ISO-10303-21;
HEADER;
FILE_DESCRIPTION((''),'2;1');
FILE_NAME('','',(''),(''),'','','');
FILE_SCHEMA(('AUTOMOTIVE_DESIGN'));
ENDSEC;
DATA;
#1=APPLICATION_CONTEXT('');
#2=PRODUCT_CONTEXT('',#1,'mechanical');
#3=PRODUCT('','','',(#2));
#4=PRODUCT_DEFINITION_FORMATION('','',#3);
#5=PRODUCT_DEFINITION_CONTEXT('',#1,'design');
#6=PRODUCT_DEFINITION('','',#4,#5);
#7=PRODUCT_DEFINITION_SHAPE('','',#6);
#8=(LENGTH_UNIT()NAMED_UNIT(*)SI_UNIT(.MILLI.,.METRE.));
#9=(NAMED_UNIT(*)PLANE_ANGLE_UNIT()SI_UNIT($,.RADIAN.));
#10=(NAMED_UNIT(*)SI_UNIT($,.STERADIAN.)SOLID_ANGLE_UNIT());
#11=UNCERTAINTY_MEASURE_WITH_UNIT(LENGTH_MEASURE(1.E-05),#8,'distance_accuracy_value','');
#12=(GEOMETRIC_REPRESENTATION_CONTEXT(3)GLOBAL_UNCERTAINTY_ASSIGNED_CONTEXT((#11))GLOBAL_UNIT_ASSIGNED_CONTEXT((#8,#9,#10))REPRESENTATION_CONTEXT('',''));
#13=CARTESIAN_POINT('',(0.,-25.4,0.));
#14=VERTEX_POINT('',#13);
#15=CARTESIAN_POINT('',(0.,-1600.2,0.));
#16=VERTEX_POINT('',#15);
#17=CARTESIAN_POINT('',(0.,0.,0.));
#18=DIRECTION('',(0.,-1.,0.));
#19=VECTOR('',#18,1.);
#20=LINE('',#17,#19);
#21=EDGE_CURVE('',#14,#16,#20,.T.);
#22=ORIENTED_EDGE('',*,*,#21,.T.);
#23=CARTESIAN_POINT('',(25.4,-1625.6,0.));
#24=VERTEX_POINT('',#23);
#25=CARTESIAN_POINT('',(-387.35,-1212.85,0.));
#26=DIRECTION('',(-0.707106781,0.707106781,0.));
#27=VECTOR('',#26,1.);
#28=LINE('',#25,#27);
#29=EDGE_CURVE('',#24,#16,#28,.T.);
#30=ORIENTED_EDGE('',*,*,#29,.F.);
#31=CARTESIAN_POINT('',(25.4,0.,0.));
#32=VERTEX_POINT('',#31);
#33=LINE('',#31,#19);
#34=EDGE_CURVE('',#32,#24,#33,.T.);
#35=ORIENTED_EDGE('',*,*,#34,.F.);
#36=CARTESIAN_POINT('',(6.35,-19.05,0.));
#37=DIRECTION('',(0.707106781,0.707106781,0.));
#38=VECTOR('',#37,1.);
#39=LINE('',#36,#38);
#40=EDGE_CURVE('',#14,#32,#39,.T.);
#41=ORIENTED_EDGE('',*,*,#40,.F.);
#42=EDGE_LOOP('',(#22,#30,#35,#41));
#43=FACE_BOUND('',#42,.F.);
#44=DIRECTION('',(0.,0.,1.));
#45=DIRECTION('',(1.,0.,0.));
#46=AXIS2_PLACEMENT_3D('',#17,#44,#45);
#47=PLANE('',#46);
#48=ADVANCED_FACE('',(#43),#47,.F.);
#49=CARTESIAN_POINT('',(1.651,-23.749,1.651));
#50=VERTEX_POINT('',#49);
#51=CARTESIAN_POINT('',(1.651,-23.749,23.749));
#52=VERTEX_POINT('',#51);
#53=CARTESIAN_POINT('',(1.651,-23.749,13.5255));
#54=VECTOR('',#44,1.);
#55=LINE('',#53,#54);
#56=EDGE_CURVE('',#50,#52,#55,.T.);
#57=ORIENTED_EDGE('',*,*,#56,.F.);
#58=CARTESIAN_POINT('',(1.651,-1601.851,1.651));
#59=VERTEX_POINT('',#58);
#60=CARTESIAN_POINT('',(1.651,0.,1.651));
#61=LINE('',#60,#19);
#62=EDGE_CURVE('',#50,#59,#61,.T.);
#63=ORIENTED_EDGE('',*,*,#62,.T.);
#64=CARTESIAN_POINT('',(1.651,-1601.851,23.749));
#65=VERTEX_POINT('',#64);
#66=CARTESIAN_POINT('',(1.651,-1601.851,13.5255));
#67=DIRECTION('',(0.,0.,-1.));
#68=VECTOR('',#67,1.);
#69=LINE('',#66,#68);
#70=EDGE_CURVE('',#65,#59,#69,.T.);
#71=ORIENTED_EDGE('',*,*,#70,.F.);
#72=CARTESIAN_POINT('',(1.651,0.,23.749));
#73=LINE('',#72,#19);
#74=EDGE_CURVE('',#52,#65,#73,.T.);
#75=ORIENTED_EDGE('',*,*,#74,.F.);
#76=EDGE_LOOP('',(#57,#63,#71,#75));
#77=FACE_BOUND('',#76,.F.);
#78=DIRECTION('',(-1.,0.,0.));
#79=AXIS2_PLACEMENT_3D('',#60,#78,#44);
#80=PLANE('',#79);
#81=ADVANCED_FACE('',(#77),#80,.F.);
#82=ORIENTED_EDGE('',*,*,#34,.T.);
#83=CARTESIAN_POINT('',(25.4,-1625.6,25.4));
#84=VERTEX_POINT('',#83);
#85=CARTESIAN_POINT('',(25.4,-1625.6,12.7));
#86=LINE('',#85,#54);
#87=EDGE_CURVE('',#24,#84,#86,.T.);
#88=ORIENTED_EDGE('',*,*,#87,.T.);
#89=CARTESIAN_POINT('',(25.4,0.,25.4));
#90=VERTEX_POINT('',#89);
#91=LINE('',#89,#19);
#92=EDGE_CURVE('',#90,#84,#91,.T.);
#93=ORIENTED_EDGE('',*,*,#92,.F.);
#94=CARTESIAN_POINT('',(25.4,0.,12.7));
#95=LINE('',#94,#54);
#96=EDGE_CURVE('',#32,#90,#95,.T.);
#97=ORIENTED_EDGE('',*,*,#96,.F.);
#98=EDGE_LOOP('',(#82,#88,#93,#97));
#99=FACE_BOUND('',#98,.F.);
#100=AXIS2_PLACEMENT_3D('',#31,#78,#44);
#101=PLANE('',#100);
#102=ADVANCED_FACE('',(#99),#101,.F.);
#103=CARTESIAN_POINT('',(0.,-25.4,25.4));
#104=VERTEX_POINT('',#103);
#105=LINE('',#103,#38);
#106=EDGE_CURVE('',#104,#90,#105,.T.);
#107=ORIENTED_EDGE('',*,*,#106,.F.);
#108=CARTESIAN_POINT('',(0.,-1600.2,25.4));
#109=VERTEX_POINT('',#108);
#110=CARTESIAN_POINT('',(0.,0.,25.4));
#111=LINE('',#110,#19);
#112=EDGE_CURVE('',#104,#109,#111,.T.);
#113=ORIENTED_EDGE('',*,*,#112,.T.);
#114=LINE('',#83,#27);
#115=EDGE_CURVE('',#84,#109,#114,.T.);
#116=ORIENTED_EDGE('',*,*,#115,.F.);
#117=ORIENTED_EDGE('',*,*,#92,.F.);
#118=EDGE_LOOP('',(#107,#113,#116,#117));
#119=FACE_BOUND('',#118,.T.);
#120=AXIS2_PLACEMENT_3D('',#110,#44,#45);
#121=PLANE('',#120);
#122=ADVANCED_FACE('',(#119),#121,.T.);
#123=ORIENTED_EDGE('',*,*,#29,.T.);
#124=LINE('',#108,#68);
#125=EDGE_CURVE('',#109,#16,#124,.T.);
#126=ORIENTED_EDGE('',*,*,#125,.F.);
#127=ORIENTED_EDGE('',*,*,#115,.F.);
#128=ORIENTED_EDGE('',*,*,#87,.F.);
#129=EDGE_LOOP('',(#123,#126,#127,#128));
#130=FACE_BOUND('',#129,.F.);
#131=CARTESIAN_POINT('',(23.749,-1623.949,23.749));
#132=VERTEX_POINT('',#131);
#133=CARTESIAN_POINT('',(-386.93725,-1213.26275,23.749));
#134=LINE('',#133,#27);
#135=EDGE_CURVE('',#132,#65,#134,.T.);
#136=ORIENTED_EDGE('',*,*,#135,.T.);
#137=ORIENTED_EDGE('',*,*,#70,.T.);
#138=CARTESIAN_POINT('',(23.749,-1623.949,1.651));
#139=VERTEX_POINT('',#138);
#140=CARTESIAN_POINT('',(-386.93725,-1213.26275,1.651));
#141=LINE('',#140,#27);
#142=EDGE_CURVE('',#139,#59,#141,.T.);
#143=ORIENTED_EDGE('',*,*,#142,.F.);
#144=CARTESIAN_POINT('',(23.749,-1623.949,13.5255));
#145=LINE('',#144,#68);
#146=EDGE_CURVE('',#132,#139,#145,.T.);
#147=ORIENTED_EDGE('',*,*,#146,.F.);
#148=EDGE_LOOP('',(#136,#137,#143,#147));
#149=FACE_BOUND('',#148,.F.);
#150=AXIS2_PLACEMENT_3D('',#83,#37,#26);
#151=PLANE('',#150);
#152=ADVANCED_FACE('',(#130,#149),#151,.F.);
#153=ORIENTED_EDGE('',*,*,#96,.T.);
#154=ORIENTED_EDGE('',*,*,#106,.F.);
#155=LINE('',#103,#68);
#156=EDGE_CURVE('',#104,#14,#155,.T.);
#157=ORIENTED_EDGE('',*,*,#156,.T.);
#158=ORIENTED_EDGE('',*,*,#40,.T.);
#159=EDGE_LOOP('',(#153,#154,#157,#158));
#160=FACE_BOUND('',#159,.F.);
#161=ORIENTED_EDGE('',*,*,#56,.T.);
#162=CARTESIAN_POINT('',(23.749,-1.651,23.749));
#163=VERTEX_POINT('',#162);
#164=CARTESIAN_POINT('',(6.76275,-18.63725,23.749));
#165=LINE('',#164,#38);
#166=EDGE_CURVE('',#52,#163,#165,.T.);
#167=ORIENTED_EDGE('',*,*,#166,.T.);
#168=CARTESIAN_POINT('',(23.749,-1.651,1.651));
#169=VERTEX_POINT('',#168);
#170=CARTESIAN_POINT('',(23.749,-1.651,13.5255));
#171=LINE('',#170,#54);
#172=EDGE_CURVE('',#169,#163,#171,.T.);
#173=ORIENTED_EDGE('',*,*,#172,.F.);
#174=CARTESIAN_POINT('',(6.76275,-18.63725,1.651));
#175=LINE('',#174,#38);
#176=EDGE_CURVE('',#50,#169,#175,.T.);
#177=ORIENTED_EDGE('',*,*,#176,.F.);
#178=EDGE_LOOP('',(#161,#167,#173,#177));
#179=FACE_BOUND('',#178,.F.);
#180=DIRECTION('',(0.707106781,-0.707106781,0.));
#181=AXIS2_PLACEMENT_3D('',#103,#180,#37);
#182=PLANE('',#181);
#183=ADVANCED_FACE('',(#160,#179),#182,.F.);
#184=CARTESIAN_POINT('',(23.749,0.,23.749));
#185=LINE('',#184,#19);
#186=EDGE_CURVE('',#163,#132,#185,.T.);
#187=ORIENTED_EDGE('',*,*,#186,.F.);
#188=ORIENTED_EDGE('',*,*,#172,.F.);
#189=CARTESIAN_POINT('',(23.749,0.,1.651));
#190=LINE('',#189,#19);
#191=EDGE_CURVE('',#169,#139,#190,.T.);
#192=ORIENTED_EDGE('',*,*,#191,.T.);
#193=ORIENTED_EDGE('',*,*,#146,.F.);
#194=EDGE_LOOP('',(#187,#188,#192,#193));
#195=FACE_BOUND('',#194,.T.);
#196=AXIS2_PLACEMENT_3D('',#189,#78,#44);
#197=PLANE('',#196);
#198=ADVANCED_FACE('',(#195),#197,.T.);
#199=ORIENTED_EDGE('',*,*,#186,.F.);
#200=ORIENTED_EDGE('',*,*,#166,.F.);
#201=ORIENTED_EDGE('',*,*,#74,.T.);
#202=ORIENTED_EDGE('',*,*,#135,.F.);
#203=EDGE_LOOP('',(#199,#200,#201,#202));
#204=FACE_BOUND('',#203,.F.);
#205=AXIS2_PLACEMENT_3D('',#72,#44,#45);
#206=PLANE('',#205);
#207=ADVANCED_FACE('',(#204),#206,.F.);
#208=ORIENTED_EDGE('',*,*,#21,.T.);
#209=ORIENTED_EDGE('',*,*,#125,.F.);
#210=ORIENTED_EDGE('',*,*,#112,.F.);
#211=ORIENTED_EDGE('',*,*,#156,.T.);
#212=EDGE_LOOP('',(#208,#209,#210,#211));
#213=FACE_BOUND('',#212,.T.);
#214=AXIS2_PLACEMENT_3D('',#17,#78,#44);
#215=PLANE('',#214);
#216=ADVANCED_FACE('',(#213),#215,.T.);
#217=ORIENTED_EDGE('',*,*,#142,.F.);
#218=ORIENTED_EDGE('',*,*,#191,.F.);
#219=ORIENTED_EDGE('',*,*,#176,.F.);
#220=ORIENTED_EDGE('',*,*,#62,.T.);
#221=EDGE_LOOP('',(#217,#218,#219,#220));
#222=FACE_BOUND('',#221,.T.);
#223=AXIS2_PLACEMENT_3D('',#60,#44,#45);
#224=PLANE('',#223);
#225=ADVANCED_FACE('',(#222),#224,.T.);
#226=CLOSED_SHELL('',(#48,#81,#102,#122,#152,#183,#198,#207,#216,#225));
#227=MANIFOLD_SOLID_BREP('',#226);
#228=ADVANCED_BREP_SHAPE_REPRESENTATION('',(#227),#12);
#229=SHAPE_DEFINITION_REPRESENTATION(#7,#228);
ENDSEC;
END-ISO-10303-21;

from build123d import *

# Parameters (mm, degrees)
F0_W     = 25.4
F0_H     = 25.4
F0_W_2   = 22.098
F0_H_2   = 22.098
F1_DEPTH = 1625.6
F3_DEPTH = 25.401
F5_DEPTH = 25.401


with BuildPart() as f1:
    # F0 (on Front) → F1 (new body)
    with BuildSketch(Plane.XZ):
        with Locations((12.7, 12.7)):
            Rectangle(F0_W, F0_H)
        with Locations((12.7, 12.7)):
            Rectangle(F0_W_2, F0_H_2, mode=Mode.SUBTRACT)
    extrude(amount=F1_DEPTH)

    # F2 (on face) → F3 (cut, through all)
    with BuildSketch(Plane.XY.offset(25.4)):
        Polygon((0, -1625.6), (25.4, -1625.6), (0, -1600.2), align=None)
    extrude(amount=-F3_DEPTH, mode=Mode.SUBTRACT)

    # F4 (on face) → F5 (cut, through all)
    with BuildSketch(Plane.XY.offset(25.4)):
        Polygon((0, -25.4), (25.4, 0), (0, 0), align=None)
    extrude(amount=-F5_DEPTH, mode=Mode.SUBTRACT)


solid = f1.part
